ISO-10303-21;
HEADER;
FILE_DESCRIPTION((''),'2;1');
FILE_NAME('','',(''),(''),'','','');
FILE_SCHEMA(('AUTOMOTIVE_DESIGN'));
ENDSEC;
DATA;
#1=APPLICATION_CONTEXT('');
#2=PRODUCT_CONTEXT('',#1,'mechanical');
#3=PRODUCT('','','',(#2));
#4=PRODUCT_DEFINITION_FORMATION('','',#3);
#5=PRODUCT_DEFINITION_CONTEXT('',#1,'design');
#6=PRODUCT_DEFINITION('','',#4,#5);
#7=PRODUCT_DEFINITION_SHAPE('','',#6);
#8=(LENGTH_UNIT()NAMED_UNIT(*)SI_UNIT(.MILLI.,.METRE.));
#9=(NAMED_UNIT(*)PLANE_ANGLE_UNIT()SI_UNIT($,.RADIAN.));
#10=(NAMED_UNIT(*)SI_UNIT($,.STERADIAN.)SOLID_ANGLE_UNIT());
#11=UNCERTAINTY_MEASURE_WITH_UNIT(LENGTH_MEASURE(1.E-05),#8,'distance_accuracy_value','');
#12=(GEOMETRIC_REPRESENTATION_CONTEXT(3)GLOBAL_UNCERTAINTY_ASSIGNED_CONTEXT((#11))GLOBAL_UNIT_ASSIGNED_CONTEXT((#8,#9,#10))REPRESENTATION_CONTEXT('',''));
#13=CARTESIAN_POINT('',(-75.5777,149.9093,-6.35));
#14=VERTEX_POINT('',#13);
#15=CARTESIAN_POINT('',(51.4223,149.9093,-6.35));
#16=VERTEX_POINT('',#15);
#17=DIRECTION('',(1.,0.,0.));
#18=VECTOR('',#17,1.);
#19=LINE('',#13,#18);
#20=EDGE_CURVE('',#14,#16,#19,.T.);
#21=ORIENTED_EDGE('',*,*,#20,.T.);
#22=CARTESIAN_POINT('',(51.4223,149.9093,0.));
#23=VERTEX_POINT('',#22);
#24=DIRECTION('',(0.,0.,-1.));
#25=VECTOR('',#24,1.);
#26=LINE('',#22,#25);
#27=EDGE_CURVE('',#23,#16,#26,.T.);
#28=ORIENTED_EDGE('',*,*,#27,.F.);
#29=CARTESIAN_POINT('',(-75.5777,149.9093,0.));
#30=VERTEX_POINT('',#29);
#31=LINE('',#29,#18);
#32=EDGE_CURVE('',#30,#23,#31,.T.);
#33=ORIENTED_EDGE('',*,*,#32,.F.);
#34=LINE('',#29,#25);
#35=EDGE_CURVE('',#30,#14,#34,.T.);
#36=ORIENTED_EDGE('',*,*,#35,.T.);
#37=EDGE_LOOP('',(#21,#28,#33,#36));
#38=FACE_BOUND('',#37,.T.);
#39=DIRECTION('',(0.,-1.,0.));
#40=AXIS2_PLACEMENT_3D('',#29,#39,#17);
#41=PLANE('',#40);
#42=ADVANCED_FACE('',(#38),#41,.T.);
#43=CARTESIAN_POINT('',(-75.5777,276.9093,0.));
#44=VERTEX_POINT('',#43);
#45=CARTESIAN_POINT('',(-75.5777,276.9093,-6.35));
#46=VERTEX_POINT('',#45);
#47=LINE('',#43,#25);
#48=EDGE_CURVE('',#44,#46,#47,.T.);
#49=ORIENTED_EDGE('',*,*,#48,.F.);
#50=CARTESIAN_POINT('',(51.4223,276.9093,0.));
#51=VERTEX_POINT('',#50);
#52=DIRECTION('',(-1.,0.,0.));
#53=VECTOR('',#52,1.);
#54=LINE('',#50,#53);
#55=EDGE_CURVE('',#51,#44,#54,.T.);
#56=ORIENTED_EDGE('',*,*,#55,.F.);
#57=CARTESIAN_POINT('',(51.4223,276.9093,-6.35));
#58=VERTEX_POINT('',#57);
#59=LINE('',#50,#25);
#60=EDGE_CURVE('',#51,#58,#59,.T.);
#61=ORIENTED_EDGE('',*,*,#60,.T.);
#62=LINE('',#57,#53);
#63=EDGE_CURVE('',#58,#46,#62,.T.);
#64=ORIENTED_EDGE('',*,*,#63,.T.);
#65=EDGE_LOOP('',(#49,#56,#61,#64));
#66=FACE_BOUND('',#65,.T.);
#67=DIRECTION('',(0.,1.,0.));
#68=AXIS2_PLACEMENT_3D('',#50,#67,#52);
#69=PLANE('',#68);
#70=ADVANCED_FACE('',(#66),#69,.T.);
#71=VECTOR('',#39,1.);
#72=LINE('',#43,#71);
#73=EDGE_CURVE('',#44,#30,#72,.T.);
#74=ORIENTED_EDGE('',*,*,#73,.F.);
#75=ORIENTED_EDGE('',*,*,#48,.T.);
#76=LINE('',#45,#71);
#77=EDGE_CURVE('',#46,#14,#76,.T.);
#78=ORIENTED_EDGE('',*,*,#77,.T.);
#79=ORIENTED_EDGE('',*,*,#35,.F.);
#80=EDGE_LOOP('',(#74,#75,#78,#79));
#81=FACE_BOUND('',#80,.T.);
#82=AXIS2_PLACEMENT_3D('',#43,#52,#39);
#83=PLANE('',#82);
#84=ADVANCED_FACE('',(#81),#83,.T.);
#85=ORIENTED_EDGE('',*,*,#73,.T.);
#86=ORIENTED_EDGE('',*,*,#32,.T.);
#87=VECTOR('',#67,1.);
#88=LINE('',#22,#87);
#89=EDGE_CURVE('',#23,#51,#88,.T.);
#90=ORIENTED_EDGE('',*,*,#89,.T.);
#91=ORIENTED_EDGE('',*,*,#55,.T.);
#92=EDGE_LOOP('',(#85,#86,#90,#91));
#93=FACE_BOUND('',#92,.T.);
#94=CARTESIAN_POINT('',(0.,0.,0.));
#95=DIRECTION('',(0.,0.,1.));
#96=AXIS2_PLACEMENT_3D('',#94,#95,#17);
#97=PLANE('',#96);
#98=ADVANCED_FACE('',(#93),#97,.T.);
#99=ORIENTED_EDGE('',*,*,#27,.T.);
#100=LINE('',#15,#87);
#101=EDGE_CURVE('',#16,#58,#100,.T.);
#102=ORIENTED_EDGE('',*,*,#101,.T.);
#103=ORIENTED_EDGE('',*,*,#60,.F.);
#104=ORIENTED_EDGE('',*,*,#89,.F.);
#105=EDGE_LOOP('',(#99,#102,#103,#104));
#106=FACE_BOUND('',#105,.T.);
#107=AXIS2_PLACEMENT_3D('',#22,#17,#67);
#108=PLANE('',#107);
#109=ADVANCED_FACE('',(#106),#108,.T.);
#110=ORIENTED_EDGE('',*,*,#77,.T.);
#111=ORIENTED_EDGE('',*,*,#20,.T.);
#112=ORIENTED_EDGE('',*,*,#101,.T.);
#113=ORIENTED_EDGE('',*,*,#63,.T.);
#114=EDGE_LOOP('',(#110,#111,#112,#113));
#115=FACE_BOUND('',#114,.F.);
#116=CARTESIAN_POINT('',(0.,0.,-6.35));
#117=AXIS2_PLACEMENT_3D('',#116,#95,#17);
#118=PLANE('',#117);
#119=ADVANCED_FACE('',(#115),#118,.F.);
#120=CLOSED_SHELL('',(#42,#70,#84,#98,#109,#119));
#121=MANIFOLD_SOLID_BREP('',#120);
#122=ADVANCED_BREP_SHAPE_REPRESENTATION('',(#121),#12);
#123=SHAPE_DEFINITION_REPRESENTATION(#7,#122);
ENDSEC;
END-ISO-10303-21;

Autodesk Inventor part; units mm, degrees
ref_plane "YZ Plane" through (0, 0, 0) normal (1, 0, 0) x (0, 1, 0)
ref_plane "XZ Plane" through (0, 0, 0) normal (0, 1, 0) x (-1, 0, 0)
ref_plane "XY Plane" through (0, 0, 0) normal (0, 0, 1) x (1, 0, 0)
sketch "Sketch1" plane through (0, 0, 0) normal (0, 0, 1) x (1, 0, 0)
  line L0 (51.4223, 276.9093) -> (-75.5777, 276.9093)
  line L1 (-75.5777, 276.9093) -> (-75.5777, 149.9093)
  line L2 (-75.5777, 149.9093) -> (51.4223, 149.9093)
  line L3 (51.4223, 149.9093) -> (51.4223, 276.9093)
  line L4 (-12.0777, -137.3102) -> (-12.0777, 23.761)
  line L5 (-12.0777, 23.761) -> (-12.0777, 149.9093) construction
  dimension "d0" = 127
  dimension "d1" = 127
extrude "Extrusion1" add sketch "Sketch1" against normal blind 6.35
ref_plane "Work Plane1" through (-75.5777, 213.4093, 0) normal (0, 1, 0) x (1, 0, 0)
ref_plane "Work Plane2" through (-12.0777, 149.9093, 0) normal (1, 0, 0) x (0, 0, -1)
properties part number "Base_01"
